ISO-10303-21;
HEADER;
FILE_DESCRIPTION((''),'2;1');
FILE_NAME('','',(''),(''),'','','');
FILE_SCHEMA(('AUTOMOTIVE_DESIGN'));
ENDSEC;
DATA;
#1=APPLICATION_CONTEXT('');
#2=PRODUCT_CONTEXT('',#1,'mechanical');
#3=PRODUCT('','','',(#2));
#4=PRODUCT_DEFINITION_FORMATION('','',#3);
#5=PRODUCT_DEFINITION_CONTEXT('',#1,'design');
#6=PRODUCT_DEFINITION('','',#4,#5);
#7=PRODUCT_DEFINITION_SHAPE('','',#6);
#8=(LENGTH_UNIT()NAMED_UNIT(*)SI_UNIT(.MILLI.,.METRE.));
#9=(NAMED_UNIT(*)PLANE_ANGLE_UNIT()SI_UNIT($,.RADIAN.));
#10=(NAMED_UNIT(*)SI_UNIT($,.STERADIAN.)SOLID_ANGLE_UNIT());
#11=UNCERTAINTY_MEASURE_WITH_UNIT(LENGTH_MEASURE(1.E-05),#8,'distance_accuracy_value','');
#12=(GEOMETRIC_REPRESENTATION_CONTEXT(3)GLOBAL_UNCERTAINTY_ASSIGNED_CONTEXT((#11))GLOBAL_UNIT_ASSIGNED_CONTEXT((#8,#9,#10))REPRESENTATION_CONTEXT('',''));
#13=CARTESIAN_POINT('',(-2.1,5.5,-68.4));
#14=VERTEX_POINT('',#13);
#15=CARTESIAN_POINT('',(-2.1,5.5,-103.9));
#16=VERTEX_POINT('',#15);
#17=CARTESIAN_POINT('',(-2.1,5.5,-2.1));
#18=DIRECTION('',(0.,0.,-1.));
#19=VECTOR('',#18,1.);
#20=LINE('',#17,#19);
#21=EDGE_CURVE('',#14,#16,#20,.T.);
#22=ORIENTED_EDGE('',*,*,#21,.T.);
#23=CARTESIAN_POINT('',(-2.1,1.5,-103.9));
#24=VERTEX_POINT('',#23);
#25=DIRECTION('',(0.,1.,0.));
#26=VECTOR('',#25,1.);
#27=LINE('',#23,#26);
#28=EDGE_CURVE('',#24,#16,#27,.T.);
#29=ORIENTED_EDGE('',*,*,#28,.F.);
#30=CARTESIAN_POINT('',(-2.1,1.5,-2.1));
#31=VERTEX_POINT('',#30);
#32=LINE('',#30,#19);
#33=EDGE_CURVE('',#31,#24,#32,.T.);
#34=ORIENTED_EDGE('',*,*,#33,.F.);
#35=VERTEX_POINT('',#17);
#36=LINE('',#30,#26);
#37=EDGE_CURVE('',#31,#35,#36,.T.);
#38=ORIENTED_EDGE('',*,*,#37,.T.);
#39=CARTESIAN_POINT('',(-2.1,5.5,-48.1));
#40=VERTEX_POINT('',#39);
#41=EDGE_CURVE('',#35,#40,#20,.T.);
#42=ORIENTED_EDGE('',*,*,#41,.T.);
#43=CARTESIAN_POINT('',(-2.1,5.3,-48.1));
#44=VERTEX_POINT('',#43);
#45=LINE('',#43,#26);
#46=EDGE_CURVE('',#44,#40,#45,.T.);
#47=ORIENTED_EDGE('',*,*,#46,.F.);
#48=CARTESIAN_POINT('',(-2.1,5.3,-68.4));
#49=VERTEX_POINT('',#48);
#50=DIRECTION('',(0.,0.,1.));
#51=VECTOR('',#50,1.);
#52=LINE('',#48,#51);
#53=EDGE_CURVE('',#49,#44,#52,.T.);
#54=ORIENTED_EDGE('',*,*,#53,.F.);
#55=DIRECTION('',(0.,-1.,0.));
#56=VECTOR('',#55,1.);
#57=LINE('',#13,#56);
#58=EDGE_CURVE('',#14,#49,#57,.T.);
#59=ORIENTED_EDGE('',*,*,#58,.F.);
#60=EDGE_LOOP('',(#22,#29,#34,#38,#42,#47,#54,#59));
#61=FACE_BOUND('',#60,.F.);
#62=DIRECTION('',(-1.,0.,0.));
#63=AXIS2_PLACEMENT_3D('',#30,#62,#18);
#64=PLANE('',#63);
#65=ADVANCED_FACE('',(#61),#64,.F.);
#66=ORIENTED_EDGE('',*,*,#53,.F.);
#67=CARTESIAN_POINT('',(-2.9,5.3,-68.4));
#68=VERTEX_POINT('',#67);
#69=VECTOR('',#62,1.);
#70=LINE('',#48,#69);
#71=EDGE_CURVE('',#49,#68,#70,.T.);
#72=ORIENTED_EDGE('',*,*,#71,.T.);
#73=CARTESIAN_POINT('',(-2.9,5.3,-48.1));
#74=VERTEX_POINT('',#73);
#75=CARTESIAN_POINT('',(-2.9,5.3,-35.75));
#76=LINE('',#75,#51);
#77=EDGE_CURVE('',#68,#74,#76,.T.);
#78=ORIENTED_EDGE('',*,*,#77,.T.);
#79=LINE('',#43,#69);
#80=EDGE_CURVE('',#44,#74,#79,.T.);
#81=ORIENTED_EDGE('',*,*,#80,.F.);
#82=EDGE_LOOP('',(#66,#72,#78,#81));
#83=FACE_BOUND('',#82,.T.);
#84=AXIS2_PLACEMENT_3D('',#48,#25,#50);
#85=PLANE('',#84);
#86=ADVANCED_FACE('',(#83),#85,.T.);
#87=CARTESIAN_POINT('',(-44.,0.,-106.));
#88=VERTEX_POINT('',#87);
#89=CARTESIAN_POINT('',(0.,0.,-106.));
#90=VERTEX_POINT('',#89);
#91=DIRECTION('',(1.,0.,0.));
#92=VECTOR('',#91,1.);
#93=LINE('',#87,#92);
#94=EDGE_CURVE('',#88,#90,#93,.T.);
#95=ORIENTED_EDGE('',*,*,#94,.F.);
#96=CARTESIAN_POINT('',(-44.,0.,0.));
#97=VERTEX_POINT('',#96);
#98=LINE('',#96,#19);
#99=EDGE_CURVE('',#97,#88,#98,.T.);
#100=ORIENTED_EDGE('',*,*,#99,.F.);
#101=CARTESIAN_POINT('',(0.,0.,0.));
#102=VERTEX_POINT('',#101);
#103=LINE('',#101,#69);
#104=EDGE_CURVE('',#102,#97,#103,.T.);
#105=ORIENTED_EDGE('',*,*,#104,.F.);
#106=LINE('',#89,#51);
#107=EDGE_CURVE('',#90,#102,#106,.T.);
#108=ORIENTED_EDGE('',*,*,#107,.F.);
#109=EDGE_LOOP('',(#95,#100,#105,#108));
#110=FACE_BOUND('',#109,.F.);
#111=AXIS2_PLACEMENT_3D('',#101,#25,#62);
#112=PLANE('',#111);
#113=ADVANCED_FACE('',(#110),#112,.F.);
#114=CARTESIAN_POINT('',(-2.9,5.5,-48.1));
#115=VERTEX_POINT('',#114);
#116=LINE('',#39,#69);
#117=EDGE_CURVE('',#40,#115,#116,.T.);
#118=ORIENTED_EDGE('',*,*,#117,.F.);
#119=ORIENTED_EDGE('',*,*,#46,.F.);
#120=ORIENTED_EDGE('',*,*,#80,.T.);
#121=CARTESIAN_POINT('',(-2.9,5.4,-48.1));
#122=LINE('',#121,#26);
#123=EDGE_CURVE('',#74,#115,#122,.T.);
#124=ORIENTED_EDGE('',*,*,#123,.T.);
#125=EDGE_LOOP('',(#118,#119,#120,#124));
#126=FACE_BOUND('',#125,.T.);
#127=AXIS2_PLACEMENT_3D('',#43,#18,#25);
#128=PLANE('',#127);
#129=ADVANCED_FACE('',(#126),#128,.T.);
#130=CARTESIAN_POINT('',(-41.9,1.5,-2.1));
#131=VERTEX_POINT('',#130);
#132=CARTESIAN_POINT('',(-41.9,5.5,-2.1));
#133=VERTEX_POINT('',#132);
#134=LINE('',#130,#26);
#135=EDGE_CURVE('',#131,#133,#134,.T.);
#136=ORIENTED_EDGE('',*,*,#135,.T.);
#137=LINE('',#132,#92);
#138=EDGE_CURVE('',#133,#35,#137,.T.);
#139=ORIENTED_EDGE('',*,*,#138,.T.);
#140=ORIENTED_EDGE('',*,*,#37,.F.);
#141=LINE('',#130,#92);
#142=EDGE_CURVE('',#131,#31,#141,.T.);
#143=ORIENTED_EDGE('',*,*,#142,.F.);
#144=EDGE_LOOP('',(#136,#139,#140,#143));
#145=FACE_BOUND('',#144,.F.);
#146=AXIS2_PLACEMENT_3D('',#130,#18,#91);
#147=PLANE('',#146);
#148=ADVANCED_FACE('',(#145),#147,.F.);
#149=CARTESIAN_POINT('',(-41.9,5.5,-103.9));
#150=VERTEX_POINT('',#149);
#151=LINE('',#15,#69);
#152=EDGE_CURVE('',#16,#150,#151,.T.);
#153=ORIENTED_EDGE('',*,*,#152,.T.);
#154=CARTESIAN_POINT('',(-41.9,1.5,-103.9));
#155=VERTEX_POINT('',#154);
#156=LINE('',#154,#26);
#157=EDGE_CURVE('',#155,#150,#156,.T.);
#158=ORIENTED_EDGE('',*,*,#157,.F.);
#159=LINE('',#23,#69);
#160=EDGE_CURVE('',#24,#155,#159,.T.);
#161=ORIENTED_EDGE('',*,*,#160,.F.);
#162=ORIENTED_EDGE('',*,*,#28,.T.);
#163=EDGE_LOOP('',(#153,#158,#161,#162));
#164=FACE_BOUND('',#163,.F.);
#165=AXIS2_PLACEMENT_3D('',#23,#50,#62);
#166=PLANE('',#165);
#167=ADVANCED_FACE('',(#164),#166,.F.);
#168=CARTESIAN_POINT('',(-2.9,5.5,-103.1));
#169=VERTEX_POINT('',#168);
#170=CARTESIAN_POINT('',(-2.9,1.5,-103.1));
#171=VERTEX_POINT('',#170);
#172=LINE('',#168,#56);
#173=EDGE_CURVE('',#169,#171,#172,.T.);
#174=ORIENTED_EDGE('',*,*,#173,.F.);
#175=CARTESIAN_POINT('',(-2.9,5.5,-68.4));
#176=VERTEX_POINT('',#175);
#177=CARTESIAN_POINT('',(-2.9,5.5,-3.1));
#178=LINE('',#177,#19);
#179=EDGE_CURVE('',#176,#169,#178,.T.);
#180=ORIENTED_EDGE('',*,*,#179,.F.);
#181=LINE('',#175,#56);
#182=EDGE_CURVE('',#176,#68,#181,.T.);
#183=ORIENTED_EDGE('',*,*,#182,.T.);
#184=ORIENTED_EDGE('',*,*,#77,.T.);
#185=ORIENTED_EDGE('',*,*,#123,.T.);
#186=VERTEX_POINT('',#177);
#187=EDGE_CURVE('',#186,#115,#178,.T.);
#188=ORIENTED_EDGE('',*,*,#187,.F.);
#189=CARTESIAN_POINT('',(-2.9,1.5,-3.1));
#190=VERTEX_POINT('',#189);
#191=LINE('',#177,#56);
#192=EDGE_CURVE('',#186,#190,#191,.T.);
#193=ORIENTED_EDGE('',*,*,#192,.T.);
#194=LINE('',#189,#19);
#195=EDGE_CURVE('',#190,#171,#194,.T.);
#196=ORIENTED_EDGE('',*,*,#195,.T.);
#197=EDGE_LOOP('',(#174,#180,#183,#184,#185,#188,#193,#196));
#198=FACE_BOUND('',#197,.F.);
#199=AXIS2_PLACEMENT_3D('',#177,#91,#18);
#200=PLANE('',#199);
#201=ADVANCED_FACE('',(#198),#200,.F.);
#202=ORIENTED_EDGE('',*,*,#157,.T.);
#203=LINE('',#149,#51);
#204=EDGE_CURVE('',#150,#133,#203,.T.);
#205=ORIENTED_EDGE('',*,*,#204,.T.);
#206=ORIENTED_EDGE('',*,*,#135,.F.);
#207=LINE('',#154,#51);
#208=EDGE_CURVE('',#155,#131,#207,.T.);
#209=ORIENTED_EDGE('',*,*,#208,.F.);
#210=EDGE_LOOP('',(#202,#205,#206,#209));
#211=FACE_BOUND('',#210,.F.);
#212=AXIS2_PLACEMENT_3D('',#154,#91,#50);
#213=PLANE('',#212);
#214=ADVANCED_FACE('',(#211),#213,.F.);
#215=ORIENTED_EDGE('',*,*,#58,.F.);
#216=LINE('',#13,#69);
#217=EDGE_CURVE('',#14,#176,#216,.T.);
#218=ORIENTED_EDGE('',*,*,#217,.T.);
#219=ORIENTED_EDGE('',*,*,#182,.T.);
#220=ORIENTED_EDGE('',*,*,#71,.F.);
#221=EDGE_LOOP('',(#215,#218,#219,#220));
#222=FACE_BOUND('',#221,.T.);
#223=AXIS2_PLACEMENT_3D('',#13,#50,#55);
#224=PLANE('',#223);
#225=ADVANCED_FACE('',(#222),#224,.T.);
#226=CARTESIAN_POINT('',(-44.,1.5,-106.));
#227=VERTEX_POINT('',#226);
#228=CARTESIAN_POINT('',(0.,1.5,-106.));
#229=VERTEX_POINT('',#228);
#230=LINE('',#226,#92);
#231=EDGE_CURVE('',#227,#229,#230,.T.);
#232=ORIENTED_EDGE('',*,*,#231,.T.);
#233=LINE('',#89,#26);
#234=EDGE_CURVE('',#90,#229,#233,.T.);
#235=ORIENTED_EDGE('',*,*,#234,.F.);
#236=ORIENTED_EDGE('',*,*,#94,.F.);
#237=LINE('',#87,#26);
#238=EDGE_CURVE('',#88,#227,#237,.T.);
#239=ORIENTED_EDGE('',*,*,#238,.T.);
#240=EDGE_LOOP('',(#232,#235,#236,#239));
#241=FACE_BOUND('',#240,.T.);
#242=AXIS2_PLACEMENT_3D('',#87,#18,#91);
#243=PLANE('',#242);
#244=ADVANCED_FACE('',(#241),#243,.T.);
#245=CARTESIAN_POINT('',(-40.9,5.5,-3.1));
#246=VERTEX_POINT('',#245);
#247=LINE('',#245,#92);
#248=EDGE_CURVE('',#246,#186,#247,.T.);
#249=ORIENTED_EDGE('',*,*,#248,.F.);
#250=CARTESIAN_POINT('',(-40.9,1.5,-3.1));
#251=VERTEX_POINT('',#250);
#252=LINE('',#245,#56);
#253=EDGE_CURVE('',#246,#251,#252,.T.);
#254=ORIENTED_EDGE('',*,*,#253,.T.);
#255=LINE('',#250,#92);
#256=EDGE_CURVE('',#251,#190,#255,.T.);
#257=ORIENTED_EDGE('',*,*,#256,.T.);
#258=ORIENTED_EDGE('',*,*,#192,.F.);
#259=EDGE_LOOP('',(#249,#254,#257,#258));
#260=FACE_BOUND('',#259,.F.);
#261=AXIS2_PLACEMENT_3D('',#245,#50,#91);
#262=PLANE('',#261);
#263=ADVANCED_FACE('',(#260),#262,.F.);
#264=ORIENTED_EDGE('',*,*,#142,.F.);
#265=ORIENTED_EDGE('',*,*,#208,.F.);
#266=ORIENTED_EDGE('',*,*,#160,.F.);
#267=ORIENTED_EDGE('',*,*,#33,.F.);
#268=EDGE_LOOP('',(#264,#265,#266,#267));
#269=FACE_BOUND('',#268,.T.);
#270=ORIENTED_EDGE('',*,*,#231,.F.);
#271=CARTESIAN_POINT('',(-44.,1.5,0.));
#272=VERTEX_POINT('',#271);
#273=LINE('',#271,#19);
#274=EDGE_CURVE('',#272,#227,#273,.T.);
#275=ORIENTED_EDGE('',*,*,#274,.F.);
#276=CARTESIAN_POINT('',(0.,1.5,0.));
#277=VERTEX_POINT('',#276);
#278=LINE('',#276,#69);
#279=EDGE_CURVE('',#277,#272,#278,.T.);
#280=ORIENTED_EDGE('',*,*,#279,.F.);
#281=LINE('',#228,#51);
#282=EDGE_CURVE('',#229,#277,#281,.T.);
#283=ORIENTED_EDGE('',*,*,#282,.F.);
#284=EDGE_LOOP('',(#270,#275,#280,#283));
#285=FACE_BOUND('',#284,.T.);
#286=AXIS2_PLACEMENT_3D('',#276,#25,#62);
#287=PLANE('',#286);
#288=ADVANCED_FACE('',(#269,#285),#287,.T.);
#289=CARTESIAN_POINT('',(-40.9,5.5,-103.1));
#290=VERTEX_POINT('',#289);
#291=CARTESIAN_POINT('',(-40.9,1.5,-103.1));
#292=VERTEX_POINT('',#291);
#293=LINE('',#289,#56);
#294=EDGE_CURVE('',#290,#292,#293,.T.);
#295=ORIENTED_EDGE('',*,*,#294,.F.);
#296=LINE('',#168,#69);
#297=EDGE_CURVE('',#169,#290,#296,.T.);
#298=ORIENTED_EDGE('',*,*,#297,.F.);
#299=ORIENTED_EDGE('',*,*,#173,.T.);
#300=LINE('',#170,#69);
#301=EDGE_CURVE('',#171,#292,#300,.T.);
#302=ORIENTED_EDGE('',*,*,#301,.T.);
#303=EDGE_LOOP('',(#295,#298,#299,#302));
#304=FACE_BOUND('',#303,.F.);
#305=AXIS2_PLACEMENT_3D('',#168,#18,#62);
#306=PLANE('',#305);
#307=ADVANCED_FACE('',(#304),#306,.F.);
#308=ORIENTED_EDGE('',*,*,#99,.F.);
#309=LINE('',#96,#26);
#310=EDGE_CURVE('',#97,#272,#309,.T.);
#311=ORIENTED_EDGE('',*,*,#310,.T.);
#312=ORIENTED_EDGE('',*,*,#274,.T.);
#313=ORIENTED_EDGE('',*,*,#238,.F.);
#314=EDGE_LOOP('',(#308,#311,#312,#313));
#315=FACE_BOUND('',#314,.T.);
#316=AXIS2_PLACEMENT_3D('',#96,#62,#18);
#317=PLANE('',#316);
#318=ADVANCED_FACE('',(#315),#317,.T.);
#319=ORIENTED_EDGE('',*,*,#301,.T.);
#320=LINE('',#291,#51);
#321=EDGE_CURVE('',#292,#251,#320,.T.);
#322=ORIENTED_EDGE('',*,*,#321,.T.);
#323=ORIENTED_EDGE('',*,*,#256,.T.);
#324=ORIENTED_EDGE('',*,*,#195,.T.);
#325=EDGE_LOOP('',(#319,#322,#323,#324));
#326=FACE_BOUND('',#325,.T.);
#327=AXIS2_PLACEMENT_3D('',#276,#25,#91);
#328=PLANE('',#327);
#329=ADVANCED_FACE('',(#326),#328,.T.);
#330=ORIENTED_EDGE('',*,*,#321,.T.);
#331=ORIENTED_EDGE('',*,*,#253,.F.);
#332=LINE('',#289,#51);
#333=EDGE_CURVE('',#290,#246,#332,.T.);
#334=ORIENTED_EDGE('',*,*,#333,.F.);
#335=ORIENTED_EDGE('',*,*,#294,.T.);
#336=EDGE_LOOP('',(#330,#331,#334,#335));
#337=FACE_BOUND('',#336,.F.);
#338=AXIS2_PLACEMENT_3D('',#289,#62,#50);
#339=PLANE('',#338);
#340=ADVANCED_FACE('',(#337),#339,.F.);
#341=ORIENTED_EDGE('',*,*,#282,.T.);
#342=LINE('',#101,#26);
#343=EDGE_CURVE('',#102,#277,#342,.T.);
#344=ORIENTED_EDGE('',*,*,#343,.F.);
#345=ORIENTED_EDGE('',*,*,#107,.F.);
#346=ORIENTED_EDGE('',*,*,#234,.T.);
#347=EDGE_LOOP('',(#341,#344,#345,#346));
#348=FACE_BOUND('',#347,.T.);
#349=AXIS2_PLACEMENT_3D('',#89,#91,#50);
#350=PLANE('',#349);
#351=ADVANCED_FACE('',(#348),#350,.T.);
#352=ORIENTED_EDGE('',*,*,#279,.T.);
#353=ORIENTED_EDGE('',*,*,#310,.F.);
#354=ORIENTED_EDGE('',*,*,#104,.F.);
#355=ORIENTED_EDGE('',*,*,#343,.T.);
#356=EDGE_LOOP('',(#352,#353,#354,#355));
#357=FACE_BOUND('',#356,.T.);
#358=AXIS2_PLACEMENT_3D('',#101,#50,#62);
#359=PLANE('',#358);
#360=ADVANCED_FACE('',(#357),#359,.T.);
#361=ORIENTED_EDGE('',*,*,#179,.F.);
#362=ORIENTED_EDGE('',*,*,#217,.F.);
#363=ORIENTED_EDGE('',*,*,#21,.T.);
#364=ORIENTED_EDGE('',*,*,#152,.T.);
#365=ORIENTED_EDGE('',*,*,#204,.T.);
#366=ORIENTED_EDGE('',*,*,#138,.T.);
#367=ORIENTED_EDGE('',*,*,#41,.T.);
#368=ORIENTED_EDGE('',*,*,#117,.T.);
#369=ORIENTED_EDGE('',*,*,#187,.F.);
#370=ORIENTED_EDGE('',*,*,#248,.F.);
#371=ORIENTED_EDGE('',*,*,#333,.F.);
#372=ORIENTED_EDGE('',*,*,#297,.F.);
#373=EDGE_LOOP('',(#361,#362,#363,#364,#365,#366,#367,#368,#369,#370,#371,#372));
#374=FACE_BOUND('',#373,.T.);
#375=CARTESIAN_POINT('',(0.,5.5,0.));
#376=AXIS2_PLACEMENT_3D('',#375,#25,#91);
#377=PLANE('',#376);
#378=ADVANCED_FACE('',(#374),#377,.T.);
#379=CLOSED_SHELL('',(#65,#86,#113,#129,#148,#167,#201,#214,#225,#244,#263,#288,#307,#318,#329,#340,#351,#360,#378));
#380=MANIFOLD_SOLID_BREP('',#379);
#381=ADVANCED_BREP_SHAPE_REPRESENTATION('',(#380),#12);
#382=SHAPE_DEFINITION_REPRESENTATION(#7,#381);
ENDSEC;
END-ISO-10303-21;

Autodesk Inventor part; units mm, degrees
ref_plane "YZ Plane" through (0, 0, 0) normal (1, 0, 0) x (0, 1, 0)
ref_plane "XZ Plane" through (0, 0, 0) normal (0, 1, 0) x (-1, 0, 0)
ref_plane "XY Plane" through (0, 0, 0) normal (0, 0, 1) x (1, 0, 0)
sketch "плоскость" plane through (0, 0, 0) normal (0, 1, 0) x (-1, 0, 0)
  line L0 (0, 0) -> (44, 0)
  line L1 (44, 0) -> (44, -106)
  line L2 (44, -106) -> (0, -106)
  line L3 (0, -106) -> (0, 0)
  dimension "d0" = 106
  dimension "d1" = 44
extrude "Выдавливание1" add sketch "плоскость" along normal blind 1.5
sketch "Эскиз2" plane through (0, 1.5, 0) normal (0, 1, 0) x (1, 0, 0)
  line L0 (-41.9, 2.1) -> (-2.1, 2.1)
  line L1 (-2.1, 2.1) -> (-2.1, 103.9)
  line L2 (-2.1, 103.9) -> (-41.9, 103.9)
  line L3 (-41.9, 103.9) -> (-41.9, 2.1)
  line L4 (-44, 0) -> (0, 0) projected
  line L5 (-44, 106) -> (-44, 0) projected
  dimension "d4" = 39.8
  dimension "d5" = 101.8
  dimension "d6" = 2.1
  dimension "d20" = 2.1
extrude "Выдавливание2" add sketch "Эскиз2" along normal blind 4
sketch "Эскиз3" plane through (0, 5.5, 0) normal (0, 1, 0) x (1, 0, 0)
  line L0 (-40.9, 3.1) -> (-2.9, 3.1)
  line L1 (-2.9, 3.1) -> (-2.9, 103.1)
  line L2 (-2.9, 103.1) -> (-40.9, 103.1)
  line L3 (-40.9, 103.1) -> (-40.9, 3.1)
  line L4 (-41.9, 103.9) -> (-41.9, 2.1) projected
  line L5 (-41.9, 2.1) -> (-2.1, 2.1) projected
  point P0 (0, 0)
  dimension "d10" = 38
  dimension "d11" = 100
  dimension "d12" = 1
  dimension "d13" = 1
extrude "Выдавливание3" cut sketch "Эскиз3" against normal blind 4
sketch "Эскиз7" plane through (-2.1, 1.5, -2.1) normal (1, 0, 0) x (0, 0, -1)
  line L0 (101, 4) -> (1, 4) projected
  line L1 (66.3, 3.8) -> (46, 3.8)
  line L2 (46, 3.8) -> (46, 4)
  line L3 (46, 4) -> (66.3, 4)
  line L4 (66.3, 4) -> (66.3, 3.8)
  line L5 (101.8, 0) -> (101.8, 4) projected
  point P0 (-2.1, -1.5)
  point P1 (66.3, 4)
  point P2 (101.8, 2)
  point P3 (66.3, 3.9)
  point P4 (51, 4)
  dimension "d18" = 35.5
  dimension "d19" = 0.2
extrude "Выдавливание4" cut sketch "Эскиз7" against normal blind 2
properties part number "roller_deck_01_10_2025"
